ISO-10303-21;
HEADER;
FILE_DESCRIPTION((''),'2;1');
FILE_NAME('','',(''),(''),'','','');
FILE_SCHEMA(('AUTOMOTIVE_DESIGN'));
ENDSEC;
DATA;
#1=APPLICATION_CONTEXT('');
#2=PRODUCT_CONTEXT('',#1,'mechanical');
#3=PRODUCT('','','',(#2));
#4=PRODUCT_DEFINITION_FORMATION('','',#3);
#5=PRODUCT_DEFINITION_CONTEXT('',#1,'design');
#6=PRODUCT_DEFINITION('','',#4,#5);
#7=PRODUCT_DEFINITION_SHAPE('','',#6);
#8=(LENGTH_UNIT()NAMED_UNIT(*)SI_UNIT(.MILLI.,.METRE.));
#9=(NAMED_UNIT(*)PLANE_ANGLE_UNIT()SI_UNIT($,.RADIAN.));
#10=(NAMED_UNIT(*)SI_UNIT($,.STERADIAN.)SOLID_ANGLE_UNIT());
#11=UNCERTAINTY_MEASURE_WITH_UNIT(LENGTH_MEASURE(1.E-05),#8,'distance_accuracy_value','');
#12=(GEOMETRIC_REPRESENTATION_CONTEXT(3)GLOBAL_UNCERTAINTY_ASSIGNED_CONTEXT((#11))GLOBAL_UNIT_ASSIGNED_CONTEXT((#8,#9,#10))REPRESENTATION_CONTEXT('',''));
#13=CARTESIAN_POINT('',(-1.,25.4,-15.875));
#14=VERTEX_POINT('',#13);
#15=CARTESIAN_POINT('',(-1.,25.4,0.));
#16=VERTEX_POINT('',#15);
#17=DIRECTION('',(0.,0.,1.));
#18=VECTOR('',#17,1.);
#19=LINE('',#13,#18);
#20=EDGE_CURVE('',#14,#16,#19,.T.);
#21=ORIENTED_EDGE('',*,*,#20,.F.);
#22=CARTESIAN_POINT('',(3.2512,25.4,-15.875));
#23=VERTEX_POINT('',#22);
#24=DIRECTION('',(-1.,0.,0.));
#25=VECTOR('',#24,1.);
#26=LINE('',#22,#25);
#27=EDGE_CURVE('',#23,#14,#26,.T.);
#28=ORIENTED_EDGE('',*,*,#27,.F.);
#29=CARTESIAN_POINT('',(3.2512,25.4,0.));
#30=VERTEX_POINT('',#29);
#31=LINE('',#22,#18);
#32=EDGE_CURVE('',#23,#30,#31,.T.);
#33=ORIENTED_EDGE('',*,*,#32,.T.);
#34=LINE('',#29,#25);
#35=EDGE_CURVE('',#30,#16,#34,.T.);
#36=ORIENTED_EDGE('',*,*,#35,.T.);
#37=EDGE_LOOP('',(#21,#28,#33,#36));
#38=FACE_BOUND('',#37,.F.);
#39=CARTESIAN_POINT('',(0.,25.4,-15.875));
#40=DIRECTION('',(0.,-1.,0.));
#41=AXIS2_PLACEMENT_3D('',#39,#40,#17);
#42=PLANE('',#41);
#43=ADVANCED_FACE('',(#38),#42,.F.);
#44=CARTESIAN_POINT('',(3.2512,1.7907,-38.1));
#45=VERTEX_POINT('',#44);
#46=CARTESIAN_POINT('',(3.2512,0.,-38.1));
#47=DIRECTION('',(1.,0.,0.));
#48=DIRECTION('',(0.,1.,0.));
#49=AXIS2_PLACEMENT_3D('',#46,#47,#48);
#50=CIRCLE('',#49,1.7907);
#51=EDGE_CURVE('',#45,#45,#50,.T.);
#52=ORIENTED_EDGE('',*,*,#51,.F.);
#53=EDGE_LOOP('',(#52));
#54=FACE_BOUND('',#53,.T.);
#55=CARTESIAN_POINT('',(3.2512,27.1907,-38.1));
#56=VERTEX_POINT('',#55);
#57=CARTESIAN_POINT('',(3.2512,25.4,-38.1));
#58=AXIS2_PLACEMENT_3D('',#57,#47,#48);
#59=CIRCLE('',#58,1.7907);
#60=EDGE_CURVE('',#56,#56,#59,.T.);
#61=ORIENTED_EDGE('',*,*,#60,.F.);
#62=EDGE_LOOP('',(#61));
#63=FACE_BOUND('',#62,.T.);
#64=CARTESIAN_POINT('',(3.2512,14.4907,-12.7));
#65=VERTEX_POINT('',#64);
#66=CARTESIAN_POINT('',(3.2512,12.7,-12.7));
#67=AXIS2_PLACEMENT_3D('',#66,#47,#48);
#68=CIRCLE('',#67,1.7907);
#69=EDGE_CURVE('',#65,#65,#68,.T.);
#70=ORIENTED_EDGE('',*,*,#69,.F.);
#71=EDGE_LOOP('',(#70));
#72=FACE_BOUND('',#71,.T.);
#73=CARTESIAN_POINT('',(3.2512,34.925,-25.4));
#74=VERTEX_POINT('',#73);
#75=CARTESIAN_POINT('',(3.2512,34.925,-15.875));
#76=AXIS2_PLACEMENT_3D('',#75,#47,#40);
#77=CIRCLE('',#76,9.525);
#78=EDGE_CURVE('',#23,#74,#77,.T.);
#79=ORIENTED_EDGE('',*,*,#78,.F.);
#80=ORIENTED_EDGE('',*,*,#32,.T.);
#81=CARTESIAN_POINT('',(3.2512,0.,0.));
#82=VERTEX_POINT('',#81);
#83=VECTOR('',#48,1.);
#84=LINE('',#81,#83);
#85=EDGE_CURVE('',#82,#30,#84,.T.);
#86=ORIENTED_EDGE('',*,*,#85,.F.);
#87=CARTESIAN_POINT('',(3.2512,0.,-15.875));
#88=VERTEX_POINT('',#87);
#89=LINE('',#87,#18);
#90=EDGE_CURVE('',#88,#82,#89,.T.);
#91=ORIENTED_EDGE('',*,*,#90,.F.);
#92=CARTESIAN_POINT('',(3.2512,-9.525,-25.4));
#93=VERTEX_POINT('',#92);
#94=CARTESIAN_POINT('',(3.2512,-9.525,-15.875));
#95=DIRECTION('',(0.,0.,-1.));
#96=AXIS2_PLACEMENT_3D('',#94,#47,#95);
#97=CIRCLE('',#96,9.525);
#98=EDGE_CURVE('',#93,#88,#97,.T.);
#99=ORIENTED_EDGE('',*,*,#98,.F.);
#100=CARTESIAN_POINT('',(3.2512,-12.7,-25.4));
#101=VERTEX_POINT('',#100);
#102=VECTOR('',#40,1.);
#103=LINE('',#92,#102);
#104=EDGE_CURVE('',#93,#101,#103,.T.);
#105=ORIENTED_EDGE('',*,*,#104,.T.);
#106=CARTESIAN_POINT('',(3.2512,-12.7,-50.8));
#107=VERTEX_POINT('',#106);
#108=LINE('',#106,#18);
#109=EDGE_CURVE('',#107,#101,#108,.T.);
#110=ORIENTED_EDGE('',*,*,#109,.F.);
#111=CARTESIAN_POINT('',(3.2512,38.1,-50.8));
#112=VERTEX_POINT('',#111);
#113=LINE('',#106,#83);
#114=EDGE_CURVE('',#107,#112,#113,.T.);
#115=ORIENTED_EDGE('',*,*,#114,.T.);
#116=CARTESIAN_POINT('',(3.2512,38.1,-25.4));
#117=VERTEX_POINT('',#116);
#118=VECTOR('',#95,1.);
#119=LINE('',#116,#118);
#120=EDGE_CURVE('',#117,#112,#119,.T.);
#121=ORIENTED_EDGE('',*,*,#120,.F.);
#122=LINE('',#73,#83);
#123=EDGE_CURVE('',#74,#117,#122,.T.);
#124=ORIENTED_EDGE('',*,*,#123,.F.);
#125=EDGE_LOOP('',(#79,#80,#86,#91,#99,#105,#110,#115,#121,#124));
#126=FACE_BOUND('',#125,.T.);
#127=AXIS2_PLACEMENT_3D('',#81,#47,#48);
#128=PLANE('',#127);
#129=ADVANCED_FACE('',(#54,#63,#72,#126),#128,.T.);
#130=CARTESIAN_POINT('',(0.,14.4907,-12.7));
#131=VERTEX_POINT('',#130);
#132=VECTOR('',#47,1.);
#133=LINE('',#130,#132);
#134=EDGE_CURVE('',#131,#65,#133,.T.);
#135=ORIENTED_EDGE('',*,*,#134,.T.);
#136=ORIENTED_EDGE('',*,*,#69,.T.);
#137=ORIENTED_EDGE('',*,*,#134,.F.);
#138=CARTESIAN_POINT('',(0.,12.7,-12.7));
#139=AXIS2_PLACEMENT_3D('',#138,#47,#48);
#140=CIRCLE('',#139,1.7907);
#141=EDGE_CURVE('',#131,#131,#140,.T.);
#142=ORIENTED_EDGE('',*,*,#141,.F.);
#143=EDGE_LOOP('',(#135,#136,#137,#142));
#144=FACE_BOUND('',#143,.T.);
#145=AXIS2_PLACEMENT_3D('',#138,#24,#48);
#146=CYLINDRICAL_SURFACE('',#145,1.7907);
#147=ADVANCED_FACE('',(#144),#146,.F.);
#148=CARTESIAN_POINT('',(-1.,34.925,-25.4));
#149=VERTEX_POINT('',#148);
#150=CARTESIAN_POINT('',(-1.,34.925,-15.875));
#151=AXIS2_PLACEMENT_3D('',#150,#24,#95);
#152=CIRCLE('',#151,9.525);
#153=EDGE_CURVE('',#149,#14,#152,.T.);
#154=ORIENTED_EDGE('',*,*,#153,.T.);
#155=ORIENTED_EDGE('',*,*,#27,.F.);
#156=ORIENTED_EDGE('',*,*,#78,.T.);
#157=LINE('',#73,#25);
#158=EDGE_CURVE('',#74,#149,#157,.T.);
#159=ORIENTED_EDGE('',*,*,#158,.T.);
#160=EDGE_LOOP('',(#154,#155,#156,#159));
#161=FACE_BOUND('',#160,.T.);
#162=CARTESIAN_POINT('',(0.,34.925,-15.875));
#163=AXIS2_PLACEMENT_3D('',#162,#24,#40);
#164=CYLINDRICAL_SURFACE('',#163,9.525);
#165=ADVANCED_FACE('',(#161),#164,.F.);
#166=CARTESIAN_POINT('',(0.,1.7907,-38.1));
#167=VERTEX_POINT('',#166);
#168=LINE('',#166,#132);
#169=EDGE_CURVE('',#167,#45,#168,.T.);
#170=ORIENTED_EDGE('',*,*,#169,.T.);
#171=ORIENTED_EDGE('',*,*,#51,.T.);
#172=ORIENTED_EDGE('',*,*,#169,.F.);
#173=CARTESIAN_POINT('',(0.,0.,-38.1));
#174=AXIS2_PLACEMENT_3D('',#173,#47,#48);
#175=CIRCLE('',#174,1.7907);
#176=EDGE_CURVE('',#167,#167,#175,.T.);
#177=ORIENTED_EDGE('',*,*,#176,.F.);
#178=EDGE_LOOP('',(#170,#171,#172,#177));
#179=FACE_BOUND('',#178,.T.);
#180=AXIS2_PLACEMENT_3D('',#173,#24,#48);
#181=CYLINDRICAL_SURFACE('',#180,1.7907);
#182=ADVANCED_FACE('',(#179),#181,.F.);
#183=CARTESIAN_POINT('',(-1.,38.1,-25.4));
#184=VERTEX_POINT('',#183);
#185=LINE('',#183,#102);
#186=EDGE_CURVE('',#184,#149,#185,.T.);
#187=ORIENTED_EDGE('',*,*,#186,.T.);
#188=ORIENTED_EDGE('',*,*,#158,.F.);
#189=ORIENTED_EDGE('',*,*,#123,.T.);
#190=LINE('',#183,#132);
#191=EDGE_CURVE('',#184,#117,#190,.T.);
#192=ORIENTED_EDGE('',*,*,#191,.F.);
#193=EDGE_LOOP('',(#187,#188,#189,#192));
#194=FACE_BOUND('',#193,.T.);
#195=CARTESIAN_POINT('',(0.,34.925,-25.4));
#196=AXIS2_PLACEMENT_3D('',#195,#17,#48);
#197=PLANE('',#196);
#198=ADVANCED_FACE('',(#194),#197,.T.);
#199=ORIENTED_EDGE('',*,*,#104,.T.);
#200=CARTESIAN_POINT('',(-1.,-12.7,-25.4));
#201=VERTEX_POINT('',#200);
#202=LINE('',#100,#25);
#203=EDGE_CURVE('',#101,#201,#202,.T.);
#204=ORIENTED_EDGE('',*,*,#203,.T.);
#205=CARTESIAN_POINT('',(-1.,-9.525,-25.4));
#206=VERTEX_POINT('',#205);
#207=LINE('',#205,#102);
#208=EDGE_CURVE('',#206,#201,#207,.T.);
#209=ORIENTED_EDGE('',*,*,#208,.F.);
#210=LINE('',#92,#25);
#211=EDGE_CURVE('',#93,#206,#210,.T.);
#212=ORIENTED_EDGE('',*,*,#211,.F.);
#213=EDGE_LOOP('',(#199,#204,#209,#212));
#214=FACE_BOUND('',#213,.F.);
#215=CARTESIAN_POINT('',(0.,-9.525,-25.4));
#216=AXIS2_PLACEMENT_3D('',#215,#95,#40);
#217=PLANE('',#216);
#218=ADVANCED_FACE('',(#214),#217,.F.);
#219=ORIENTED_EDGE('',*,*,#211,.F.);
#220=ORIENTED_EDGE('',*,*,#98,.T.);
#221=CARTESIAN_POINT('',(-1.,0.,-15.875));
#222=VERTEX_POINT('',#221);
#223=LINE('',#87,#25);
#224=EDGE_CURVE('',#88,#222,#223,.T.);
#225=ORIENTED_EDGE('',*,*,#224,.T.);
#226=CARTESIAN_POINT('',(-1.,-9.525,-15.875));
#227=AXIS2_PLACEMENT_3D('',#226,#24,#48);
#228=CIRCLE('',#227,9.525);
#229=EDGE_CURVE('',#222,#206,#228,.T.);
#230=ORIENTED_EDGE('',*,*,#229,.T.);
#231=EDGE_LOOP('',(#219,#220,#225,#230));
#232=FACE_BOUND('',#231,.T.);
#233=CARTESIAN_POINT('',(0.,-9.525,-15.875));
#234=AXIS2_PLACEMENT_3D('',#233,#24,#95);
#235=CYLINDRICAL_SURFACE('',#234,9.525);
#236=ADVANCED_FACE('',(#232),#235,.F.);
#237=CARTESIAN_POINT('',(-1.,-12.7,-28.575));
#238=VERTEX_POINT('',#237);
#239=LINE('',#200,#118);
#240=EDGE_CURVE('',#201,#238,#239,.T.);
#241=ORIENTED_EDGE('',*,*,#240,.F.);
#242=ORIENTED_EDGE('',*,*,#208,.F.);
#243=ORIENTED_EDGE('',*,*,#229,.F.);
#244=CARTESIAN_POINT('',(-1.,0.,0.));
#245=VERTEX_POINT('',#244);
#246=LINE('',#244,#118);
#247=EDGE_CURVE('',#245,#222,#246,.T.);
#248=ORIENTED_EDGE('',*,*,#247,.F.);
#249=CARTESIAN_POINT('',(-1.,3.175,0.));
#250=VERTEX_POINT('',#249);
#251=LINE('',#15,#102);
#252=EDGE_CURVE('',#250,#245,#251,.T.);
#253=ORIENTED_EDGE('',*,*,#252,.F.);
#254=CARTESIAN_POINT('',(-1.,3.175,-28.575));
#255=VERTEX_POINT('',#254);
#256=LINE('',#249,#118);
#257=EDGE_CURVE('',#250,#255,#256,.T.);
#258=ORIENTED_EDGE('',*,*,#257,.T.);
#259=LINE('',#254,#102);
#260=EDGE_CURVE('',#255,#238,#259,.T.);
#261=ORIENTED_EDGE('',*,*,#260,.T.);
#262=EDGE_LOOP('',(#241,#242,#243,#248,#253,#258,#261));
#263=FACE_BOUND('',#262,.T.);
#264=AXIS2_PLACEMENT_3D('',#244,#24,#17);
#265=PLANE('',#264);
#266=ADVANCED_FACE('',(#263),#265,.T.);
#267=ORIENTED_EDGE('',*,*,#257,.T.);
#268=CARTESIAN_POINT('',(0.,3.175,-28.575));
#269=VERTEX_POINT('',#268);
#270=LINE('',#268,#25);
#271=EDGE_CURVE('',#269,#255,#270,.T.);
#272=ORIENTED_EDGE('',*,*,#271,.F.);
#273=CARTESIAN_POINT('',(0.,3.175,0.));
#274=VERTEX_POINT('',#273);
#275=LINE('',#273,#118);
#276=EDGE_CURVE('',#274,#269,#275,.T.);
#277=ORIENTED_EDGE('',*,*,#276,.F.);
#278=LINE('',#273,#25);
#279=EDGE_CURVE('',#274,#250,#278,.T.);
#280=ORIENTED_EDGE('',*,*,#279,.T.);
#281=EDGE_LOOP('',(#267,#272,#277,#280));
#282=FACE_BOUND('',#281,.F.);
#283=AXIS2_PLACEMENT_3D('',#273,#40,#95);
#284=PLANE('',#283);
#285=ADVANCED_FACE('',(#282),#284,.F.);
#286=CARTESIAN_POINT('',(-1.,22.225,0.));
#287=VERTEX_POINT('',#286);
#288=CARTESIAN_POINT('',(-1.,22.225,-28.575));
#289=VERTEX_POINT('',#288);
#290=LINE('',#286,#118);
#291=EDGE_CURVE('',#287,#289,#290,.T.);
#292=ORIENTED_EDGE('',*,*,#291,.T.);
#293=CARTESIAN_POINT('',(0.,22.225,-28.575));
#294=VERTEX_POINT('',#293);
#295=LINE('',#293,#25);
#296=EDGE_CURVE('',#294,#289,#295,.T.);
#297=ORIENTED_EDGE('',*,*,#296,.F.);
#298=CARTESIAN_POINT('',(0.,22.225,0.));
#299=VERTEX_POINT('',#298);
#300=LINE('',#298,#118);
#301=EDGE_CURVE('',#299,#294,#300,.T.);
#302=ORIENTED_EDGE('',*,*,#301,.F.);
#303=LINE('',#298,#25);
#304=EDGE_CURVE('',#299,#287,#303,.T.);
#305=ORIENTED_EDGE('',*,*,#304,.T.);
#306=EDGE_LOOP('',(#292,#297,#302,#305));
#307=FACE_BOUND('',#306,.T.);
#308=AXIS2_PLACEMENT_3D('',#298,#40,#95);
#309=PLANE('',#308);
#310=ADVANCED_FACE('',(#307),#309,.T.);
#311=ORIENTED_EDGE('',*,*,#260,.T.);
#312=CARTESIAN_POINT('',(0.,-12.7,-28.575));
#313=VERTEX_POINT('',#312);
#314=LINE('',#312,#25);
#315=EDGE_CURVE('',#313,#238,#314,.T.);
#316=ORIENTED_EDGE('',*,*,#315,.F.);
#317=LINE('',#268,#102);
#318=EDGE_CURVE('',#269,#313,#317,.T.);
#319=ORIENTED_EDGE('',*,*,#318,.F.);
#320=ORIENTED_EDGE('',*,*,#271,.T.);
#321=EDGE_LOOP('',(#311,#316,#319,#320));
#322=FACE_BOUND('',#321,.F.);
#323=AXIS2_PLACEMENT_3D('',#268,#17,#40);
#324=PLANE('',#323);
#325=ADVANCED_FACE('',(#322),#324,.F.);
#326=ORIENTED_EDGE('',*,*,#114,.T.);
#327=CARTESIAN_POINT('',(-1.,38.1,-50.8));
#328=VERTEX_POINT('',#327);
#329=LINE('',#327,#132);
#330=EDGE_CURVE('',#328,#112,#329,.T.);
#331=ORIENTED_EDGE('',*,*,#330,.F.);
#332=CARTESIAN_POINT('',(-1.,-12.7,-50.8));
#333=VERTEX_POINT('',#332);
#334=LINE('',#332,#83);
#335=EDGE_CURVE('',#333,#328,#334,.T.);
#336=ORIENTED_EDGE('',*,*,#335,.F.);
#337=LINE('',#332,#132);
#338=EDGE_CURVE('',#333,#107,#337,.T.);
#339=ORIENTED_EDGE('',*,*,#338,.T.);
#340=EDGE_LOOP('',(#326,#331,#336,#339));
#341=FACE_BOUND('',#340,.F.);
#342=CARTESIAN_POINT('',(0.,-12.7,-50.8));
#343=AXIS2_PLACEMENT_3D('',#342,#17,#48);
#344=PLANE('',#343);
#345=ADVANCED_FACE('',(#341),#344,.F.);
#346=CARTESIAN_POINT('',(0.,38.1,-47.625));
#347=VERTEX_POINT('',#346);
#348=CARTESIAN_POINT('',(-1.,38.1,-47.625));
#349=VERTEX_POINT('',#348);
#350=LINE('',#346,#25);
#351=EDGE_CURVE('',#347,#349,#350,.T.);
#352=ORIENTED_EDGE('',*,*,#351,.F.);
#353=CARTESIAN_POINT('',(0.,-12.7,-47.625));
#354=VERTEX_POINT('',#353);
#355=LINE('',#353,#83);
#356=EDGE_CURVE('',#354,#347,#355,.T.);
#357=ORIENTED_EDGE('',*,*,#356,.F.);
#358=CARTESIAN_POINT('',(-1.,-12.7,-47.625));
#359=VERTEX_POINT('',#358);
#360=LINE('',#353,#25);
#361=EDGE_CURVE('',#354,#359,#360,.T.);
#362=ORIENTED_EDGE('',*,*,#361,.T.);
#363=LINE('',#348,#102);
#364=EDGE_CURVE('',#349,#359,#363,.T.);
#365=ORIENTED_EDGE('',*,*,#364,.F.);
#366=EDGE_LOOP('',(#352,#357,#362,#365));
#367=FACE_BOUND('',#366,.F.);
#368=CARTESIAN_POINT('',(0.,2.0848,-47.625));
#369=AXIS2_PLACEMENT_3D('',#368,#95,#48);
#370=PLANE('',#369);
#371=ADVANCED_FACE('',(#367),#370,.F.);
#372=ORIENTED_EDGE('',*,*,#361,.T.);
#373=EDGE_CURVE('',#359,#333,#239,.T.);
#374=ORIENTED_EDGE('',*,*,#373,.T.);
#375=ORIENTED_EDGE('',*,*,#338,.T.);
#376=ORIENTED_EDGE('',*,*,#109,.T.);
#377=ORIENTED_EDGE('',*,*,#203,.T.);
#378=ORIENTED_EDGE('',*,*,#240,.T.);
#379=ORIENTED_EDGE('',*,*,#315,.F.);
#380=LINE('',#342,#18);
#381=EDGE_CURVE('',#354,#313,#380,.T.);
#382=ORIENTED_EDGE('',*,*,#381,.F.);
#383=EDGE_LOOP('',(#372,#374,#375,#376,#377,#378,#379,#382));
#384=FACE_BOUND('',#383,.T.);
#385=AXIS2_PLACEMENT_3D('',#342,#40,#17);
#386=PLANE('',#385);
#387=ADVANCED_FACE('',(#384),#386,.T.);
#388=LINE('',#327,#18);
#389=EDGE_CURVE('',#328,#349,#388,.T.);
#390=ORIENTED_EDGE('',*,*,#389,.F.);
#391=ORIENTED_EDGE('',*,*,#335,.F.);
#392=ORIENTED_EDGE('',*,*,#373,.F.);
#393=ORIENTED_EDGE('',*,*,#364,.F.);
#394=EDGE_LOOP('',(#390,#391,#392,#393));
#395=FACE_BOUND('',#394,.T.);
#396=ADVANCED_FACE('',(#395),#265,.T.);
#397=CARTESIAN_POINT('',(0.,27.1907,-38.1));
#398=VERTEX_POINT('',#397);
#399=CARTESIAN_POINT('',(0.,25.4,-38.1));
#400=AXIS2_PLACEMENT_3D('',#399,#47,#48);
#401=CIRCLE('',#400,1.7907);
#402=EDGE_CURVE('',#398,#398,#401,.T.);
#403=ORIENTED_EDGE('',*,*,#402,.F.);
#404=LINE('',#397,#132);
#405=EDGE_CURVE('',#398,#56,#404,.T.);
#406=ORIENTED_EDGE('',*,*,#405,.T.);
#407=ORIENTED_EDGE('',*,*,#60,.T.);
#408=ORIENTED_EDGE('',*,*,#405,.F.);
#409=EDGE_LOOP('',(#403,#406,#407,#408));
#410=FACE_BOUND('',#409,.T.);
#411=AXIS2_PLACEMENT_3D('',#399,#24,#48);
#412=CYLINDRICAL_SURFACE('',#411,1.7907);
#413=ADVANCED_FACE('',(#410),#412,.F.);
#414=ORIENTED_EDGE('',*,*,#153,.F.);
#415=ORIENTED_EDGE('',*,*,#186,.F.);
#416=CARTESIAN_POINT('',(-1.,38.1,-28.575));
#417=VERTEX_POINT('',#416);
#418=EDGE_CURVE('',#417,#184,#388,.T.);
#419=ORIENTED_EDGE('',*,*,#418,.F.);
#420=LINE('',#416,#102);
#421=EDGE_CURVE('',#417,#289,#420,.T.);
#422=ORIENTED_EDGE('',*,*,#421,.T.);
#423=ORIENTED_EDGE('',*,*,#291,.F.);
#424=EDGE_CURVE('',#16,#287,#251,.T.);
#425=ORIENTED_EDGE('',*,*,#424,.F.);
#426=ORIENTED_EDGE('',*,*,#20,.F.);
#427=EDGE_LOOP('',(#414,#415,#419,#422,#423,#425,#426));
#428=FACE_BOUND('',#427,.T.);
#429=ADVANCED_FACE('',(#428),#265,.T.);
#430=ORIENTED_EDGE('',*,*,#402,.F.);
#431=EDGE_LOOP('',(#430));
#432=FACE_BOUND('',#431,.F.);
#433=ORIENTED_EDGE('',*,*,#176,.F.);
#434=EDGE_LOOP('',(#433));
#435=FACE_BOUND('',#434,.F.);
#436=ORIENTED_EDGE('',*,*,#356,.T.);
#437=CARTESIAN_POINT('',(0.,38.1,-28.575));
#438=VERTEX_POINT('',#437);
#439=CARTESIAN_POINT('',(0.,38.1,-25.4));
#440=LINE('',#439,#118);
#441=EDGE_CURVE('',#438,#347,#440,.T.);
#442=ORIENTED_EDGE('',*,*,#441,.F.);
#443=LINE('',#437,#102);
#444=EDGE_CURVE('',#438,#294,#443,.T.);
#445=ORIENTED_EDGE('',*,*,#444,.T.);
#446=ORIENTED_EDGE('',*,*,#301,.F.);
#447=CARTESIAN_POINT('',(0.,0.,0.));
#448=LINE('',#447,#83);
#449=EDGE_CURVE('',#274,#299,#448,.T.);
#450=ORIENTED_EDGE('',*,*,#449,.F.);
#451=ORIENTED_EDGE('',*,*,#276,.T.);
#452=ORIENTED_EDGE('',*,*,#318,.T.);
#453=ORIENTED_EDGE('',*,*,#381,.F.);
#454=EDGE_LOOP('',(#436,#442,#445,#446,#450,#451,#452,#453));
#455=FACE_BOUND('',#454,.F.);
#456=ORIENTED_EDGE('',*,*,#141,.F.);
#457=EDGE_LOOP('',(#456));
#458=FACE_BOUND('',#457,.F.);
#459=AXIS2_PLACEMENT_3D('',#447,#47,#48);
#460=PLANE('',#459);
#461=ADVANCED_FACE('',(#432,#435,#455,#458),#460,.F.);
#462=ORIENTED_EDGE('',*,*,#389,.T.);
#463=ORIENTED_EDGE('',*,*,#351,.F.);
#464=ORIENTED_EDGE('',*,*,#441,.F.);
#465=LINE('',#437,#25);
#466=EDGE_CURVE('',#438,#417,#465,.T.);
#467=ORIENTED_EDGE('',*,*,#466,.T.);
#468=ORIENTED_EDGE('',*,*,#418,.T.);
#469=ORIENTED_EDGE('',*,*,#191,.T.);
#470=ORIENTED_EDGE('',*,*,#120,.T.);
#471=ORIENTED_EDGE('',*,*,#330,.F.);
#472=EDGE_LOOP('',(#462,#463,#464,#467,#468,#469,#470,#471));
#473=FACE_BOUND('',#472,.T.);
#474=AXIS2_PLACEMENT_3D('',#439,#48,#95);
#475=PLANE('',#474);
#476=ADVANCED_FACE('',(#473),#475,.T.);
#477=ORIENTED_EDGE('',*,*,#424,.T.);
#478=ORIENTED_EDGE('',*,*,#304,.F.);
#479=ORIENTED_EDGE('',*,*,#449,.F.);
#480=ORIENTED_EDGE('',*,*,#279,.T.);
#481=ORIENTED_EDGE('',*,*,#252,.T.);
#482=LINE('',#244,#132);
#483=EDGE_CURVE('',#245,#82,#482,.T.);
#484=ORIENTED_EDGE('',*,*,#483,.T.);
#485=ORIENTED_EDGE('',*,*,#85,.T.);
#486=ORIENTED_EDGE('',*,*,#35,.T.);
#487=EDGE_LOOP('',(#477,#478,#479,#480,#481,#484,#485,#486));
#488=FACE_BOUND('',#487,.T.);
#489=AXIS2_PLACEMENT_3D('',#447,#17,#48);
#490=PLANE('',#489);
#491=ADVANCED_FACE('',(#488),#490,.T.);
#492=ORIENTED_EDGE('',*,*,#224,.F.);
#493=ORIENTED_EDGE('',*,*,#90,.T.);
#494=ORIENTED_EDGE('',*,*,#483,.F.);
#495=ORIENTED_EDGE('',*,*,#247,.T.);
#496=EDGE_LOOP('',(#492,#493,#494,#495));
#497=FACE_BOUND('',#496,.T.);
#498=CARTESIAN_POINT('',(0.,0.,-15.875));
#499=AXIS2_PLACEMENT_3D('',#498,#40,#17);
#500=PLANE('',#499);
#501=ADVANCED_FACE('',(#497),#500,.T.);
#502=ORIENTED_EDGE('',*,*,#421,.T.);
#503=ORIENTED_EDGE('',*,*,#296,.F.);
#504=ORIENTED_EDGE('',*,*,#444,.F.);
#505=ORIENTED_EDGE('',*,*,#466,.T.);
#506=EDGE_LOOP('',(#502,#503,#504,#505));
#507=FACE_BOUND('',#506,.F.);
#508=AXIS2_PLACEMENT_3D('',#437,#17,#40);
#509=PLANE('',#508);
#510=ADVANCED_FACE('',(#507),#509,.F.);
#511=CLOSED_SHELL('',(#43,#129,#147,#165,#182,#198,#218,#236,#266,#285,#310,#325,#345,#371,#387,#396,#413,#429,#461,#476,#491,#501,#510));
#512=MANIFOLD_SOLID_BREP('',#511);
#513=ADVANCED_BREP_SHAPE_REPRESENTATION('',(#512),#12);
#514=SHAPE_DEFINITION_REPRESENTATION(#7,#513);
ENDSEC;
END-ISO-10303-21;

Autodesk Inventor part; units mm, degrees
ref_plane "YZ Plane" through (0, 0, 0) normal (1, 0, 0) x (0, 1, 0)
ref_plane "XZ Plane" through (0, 0, 0) normal (0, 1, 0) x (-1, 0, 0)
ref_plane "XY Plane" through (0, 0, 0) normal (0, 0, 1) x (1, 0, 0)
sketch "Sketch1" plane through (0, 0, 0) normal (1, 0, 0) x (0, 1, 0)
  circle A0 centre (0, -38.1) radius 1.7907
  circle A1 centre (12.7, -12.7) radius 1.7907
  circle A2 centre (25.4, -38.1) radius 1.7907
  line L0 (-12.7, -50.8) -> (38.1, -50.8)
  line L1 (38.1, -25.4) -> (38.1, -50.8)
  line L2 (34.925, -25.4) -> (38.1, -25.4)
  arc A3 (25.4, -15.875) -> (34.925, -25.4) centre (34.925, -15.875) ccw
  line L3 (25.4, -15.875) -> (25.4, 0)
  line L4 (0, 0) -> (25.4, 0)
  line L5 (0, -15.875) -> (0, 0)
  arc A4 (-9.525, -25.4) -> (0, -15.875) centre (-9.525, -15.875) ccw
  line L6 (-9.525, -25.4) -> (-12.7, -25.4)
  line L7 (-12.7, -50.8) -> (-12.7, -25.4)
  point P0 (12.7, -50.8)
extrude "Extrusion1" add sketch "Sketch1" along normal blind 3.2512
sketch "Sketch2" plane through (0, 0, 0) normal (-1, 0, 0) x (0, 0, 1)
  circle A0 centre (-38.1, 25.4) radius 1.7907 projected
  circle A1 centre (-12.7, 12.7) radius 1.7907 projected
  circle A2 centre (-38.1, 0) radius 1.7907 projected
  line L0 (-50.8, -12.7) -> (-50.8, 38.1) projected
  line L1 (-25.4, -12.7) -> (-50.8, -12.7) projected
  line L2 (-25.4, -9.525) -> (-25.4, -12.7) projected
  arc A3 (-15.875, 0) -> (-25.4, -9.525) centre (-15.875, -9.525) ccw projected
  line L3 (0, 0) -> (-15.875, 0) projected
  line L4 (0, 25.4) -> (0, 0) projected
  line L5 (-15.875, 25.4) -> (0, 25.4) projected
  arc A4 (-25.4, 34.925) -> (-15.875, 25.4) centre (-15.875, 34.925) ccw projected
  line L6 (-25.4, 38.1) -> (-25.4, 34.925) projected
  line L7 (-50.8, 38.1) -> (-25.4, 38.1) projected
  line L8 (0, 25.4) -> (0, 0) projected
  line L9 (0, 22.225) -> (-28.575, 22.225)
  line L10 (0, 3.175) -> (-28.575, 3.175)
  line L11 (-28.575, 38.1) -> (-28.575, 22.225)
  line L12 (-28.575, 3.175) -> (-28.575, -12.7)
  line L13 (-25.4, -12.7) -> (-50.8, -12.7) projected
  line L14 (-47.625, 2.0848) -> (-47.625, -12.7)
  line L15 (-47.625, 2.0848) -> (-47.625, 38.1)
  line L16 (-50.8, 38.1) -> (-25.4, 38.1) projected
  line L17 (-38.1, 38.1) -> (-38.1, 48.6626) construction
  line L18 (-38.1, 52.0515) -> (-28.575, 52.0515) construction
  line L19 (-38.1, 52.0515) -> (-47.625, 52.0515) construction
  line L20 (-38.1, -12.7) -> (-38.1, -13.4551) construction
  line L21 (-38.1, -13.4551) -> (-38.1, -16.9489) construction
  line L22 (-28.575, -16.9489) -> (-38.1, -16.9489) construction
  line L23 (-38.1, -16.9489) -> (-47.625, -16.9489) construction
  line L24 (0, 12.7) -> (-6.3454, 12.7) construction
  line L25 (-3.5322, 12.7) -> (-3.5322, 22.225) construction
  line L26 (-3.5322, 12.7) -> (-3.5322, 3.175) construction
  dimension "d2" = 19.05
  dimension "d3" = 19.05
extrude "Extrusion2" add sketch "Sketch2" along normal blind 1 contours L0 L7 L15 L14 L1 | L12 L10 L4 L3 A3 L2 L1 | L7 L6 A4 L5 L4 L9 L11
properties part number "side holders"
